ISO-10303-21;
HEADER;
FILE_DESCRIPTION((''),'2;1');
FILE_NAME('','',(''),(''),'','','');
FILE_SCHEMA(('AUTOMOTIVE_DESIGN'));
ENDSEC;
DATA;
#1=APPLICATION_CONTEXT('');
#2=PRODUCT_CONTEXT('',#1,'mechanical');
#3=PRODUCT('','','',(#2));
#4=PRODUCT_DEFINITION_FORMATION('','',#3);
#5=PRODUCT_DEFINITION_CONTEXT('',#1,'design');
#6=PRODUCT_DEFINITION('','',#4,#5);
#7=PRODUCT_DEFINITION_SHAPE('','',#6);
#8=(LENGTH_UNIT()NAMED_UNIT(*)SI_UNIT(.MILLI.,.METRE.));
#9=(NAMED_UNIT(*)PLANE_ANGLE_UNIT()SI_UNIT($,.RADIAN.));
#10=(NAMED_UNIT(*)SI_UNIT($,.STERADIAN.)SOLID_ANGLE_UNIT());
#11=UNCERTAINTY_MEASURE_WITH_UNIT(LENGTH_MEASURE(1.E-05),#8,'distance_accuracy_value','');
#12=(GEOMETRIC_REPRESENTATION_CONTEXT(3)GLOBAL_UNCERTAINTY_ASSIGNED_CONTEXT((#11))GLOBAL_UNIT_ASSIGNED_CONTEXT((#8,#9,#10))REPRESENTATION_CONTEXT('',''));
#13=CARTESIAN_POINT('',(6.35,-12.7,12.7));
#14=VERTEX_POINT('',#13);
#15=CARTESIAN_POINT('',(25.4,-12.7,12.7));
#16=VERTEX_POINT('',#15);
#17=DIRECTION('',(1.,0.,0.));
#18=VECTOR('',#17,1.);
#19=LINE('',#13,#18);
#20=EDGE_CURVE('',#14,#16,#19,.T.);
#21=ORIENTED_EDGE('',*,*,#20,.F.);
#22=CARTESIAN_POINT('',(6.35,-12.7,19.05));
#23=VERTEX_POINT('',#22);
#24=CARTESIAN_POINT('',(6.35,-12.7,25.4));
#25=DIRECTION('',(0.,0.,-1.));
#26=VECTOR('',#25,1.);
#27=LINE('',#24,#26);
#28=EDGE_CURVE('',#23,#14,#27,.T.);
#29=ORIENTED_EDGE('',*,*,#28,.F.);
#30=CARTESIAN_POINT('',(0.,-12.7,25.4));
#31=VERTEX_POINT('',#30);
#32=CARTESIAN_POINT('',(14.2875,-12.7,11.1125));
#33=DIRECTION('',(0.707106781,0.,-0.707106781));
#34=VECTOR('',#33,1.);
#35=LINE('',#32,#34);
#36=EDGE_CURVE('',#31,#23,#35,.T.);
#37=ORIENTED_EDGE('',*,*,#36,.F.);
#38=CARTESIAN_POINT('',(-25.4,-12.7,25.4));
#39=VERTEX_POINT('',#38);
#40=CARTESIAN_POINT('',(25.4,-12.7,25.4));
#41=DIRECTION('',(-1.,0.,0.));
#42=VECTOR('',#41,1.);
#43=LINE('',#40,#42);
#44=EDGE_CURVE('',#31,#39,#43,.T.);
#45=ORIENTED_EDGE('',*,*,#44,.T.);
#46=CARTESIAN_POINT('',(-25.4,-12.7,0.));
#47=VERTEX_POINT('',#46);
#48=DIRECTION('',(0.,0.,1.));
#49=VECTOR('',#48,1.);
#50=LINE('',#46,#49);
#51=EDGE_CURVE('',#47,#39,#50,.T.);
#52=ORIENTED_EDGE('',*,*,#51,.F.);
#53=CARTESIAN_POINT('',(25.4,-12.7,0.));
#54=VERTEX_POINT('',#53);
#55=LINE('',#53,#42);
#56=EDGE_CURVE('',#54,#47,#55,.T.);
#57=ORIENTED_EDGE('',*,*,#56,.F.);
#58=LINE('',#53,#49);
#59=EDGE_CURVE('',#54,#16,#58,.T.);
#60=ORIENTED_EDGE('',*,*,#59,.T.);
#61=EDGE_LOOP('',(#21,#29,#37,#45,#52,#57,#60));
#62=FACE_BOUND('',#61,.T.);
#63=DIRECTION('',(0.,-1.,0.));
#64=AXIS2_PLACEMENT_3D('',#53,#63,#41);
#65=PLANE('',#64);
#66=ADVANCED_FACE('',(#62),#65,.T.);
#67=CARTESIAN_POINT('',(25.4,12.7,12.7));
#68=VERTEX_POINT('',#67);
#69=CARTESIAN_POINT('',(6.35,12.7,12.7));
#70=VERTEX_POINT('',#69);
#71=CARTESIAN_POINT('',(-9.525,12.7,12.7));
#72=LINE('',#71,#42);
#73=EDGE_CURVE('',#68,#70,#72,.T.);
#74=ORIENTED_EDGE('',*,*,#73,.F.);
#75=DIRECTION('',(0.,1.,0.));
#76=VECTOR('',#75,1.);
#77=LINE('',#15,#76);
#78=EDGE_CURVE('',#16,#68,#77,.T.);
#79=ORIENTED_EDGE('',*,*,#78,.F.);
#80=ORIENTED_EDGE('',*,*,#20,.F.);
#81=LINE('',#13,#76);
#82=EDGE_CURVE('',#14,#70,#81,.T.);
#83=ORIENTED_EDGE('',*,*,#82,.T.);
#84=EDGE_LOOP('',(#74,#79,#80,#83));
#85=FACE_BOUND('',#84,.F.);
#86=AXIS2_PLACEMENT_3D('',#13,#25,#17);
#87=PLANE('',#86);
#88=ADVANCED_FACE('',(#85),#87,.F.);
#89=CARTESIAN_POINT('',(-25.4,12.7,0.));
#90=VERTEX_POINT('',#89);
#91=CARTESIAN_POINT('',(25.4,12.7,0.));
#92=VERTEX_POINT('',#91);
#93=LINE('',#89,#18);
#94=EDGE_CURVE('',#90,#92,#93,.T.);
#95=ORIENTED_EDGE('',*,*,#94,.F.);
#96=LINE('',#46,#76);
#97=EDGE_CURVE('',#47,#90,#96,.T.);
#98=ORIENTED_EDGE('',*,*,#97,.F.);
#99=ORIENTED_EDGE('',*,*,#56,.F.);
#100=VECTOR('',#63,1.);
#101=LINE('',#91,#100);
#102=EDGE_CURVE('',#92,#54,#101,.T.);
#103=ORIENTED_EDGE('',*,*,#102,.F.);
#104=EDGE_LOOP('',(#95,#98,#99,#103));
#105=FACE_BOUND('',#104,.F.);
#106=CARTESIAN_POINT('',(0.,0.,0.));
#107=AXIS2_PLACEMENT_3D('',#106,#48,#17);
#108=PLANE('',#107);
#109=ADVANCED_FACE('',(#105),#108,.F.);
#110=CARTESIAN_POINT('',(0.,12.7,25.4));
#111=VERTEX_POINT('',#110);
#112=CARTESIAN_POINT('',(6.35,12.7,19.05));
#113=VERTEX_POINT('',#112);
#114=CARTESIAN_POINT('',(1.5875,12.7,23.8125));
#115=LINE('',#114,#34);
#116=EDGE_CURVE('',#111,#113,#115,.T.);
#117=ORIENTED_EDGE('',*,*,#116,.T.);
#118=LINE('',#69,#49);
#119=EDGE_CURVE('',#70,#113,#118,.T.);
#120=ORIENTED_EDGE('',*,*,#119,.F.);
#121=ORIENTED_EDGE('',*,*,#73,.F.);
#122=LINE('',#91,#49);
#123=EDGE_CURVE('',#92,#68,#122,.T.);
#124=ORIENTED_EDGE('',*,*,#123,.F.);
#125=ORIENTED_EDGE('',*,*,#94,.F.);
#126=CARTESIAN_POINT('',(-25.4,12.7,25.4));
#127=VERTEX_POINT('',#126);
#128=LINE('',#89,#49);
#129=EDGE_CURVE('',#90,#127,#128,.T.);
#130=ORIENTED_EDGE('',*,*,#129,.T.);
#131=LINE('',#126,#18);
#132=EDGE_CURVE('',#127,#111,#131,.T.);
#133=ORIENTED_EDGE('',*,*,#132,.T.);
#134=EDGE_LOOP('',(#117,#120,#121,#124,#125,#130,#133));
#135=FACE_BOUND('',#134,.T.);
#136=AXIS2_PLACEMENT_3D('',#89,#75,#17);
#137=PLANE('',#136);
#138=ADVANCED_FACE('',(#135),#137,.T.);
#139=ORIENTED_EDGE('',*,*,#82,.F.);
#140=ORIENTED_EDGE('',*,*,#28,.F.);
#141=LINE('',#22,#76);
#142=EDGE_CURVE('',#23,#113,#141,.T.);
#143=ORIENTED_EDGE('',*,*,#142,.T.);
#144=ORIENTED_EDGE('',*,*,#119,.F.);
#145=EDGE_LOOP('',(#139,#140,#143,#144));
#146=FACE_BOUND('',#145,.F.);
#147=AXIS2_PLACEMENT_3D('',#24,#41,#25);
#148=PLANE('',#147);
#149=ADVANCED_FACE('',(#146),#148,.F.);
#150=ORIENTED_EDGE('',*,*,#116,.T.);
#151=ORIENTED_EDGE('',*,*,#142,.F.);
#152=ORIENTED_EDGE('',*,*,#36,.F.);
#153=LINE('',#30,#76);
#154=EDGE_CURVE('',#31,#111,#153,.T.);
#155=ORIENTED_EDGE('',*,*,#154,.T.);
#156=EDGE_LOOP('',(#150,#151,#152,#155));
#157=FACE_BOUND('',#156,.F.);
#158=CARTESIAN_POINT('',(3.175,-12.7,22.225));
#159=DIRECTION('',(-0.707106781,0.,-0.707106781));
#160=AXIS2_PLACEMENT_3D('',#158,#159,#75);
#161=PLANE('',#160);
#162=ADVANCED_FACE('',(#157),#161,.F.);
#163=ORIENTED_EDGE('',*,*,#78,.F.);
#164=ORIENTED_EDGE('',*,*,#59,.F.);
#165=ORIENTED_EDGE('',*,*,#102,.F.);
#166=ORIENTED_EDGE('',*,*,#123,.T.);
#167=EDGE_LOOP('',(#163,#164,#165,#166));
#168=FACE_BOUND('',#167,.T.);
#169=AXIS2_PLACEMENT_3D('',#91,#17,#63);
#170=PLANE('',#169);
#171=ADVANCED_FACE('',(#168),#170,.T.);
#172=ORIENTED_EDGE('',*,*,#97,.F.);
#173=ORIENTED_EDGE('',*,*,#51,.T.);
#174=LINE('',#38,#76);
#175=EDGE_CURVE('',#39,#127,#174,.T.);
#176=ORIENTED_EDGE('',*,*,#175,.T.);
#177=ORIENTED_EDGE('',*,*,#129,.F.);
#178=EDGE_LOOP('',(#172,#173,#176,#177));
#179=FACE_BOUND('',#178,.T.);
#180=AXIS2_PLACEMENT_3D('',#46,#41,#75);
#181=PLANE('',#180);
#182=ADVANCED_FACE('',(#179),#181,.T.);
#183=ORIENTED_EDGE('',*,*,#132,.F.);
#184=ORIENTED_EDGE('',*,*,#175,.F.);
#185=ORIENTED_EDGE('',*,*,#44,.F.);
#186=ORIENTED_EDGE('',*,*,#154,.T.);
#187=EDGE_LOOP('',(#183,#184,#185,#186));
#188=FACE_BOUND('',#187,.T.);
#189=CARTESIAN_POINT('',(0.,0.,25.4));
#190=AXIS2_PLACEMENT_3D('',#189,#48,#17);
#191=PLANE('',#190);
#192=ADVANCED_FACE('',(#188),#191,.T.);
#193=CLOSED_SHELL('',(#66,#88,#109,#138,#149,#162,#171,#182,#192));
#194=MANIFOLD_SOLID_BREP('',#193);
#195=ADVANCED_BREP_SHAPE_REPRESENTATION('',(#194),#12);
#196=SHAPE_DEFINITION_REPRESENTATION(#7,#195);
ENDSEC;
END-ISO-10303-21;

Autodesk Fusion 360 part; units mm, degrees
sketch "Sketch1" plane through (0, 0, 0) normal (0, 0, 1) x (1, 0, 0)
  line L0 (25.4, -12.7) -> (-25.4, -12.7)
  line L1 (-25.4, -12.7) -> (-25.4, 12.7)
  line L2 (-25.4, 12.7) -> (25.4, 12.7)
  line L3 (25.4, 12.7) -> (25.4, -12.7)
  line L4 (25.4, -12.7) -> (-25.4, 12.7) construction
  line L5 (-25.4, -12.7) -> (25.4, 12.7) construction
  dimension "d1" = 50.8
  dimension "d2" = 25.4
extrude "Extrude1" add sketch "Sketch1" along normal blind 25.4
sketch "Sketch2" plane through (0, -12.7, 0) normal (0, -1, 0) x (1, 0, 0)
  line L0 (-25.4, 0) -> (25.4, 0)
  line L1 (25.4, 0) -> (25.4, 25.4)
  line L2 (25.4, 25.4) -> (-25.4, 25.4)
  line L3 (-25.4, 25.4) -> (-25.4, 0)
  line L4 (25.4, 25.4) -> (6.35, 25.4)
  line L5 (6.35, 25.4) -> (6.35, 12.7)
  line L6 (6.35, 12.7) -> (25.4, 12.7)
  line L7 (25.4, 12.7) -> (25.4, 25.4)
  dimension "d5" = 19.05
  dimension "d6" = 12.7
extrude "Extrude2" cut sketch "Sketch2" against normal through all contours L1 L2 L4 L5 L6 L7
chamfer "Chamfer1" distance 6.35 angle 45 1 edges at (6.35, 0, 25.4)
